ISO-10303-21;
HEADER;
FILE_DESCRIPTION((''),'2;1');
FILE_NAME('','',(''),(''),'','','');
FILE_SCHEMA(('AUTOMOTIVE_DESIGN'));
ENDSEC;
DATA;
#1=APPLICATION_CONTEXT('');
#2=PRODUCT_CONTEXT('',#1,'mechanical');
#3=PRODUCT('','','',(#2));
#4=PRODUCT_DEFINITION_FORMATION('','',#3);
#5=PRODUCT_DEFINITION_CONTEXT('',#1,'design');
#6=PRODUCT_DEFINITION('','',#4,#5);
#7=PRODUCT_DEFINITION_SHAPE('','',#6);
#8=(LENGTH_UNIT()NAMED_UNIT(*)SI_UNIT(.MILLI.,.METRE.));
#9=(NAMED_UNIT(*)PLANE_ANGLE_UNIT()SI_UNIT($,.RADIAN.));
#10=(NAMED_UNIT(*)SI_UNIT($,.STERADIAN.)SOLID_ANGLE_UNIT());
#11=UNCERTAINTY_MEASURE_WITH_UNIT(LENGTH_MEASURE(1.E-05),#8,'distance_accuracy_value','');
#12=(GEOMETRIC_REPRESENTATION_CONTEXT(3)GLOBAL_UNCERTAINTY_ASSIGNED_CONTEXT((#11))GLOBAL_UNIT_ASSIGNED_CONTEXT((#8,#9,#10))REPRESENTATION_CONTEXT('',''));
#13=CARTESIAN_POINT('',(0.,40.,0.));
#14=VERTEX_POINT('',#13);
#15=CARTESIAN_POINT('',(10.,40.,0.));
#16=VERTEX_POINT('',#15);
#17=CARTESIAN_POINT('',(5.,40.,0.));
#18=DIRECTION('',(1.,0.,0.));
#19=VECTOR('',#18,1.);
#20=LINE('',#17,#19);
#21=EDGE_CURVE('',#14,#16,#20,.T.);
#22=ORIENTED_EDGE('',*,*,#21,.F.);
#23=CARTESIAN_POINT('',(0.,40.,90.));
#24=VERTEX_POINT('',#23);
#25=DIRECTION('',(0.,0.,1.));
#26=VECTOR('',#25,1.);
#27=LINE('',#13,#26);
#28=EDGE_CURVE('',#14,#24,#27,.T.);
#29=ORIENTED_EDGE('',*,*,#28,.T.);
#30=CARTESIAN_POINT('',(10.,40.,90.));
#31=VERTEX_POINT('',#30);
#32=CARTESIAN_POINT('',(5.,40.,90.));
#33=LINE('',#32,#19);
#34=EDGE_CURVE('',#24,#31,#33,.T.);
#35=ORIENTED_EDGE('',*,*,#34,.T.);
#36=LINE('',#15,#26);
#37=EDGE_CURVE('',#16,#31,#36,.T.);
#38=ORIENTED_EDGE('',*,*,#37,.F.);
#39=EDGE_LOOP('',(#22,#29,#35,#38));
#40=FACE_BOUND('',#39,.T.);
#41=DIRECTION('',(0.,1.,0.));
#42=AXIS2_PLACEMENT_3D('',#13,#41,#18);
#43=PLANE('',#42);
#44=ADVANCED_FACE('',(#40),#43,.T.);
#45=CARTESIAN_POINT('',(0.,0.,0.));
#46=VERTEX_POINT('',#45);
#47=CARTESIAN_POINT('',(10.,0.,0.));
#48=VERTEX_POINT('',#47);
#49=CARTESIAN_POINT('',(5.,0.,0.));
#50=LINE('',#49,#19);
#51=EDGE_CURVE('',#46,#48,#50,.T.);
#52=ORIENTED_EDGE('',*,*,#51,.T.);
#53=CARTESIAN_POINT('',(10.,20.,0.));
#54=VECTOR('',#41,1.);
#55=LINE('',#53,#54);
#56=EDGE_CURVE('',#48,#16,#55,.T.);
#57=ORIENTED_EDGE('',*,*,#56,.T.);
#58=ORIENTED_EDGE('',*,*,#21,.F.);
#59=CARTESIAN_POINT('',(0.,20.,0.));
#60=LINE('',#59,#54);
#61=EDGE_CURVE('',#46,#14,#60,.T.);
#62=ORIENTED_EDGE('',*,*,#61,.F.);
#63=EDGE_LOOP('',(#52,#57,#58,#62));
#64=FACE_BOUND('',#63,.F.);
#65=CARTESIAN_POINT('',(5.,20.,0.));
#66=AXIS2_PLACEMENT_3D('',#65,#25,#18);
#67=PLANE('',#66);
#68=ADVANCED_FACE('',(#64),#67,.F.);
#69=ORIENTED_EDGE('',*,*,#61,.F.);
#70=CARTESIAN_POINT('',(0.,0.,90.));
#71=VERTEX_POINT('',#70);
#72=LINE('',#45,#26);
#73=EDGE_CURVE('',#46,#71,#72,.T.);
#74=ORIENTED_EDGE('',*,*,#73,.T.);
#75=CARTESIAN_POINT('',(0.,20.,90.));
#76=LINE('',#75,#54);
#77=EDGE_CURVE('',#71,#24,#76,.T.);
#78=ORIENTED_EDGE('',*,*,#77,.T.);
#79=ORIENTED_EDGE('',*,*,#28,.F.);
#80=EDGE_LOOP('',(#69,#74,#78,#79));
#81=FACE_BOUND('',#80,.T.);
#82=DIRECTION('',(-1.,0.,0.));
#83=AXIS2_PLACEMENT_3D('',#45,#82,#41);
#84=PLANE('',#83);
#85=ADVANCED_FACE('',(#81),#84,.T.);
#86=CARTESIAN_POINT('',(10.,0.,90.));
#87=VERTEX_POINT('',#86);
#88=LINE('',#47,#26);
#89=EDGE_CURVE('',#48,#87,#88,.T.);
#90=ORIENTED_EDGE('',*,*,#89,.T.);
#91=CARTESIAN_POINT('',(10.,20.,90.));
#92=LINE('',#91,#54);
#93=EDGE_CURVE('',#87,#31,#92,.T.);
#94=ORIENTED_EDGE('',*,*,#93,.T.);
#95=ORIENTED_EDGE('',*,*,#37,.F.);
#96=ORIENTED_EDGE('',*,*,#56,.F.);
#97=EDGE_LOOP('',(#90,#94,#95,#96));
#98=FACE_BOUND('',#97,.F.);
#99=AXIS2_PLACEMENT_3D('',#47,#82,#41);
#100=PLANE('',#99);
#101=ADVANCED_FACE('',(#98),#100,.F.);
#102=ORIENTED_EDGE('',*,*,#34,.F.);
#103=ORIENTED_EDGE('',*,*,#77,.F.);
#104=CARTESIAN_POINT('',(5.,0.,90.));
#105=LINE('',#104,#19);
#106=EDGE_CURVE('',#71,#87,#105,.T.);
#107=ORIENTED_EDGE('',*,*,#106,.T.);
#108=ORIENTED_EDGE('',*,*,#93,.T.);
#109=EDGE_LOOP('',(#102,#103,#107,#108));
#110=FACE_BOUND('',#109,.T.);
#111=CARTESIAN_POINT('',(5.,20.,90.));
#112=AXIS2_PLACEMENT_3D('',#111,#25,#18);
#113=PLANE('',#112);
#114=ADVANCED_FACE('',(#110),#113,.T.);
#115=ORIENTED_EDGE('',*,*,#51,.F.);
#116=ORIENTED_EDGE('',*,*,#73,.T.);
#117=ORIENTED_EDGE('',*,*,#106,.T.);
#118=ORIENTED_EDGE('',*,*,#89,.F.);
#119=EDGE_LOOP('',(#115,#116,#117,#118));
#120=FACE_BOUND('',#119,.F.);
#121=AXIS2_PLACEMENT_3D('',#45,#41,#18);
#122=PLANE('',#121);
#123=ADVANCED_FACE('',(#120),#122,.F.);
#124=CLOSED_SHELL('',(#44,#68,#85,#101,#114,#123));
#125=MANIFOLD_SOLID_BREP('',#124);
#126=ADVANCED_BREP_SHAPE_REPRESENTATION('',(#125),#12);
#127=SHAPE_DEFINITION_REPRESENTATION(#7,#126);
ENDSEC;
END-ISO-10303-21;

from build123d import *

# Parameters (mm, degrees)
SKETCH_W  = 10
SKETCH_H  = 40
PAD_DEPTH = 90


with BuildPart() as part:
    # Sketch → Pad (new body)
    with BuildSketch(Plane.XY):
        with Locations((5, 20)):
            Rectangle(SKETCH_W, SKETCH_H)
    extrude(amount=PAD_DEPTH)


solid = part.part
